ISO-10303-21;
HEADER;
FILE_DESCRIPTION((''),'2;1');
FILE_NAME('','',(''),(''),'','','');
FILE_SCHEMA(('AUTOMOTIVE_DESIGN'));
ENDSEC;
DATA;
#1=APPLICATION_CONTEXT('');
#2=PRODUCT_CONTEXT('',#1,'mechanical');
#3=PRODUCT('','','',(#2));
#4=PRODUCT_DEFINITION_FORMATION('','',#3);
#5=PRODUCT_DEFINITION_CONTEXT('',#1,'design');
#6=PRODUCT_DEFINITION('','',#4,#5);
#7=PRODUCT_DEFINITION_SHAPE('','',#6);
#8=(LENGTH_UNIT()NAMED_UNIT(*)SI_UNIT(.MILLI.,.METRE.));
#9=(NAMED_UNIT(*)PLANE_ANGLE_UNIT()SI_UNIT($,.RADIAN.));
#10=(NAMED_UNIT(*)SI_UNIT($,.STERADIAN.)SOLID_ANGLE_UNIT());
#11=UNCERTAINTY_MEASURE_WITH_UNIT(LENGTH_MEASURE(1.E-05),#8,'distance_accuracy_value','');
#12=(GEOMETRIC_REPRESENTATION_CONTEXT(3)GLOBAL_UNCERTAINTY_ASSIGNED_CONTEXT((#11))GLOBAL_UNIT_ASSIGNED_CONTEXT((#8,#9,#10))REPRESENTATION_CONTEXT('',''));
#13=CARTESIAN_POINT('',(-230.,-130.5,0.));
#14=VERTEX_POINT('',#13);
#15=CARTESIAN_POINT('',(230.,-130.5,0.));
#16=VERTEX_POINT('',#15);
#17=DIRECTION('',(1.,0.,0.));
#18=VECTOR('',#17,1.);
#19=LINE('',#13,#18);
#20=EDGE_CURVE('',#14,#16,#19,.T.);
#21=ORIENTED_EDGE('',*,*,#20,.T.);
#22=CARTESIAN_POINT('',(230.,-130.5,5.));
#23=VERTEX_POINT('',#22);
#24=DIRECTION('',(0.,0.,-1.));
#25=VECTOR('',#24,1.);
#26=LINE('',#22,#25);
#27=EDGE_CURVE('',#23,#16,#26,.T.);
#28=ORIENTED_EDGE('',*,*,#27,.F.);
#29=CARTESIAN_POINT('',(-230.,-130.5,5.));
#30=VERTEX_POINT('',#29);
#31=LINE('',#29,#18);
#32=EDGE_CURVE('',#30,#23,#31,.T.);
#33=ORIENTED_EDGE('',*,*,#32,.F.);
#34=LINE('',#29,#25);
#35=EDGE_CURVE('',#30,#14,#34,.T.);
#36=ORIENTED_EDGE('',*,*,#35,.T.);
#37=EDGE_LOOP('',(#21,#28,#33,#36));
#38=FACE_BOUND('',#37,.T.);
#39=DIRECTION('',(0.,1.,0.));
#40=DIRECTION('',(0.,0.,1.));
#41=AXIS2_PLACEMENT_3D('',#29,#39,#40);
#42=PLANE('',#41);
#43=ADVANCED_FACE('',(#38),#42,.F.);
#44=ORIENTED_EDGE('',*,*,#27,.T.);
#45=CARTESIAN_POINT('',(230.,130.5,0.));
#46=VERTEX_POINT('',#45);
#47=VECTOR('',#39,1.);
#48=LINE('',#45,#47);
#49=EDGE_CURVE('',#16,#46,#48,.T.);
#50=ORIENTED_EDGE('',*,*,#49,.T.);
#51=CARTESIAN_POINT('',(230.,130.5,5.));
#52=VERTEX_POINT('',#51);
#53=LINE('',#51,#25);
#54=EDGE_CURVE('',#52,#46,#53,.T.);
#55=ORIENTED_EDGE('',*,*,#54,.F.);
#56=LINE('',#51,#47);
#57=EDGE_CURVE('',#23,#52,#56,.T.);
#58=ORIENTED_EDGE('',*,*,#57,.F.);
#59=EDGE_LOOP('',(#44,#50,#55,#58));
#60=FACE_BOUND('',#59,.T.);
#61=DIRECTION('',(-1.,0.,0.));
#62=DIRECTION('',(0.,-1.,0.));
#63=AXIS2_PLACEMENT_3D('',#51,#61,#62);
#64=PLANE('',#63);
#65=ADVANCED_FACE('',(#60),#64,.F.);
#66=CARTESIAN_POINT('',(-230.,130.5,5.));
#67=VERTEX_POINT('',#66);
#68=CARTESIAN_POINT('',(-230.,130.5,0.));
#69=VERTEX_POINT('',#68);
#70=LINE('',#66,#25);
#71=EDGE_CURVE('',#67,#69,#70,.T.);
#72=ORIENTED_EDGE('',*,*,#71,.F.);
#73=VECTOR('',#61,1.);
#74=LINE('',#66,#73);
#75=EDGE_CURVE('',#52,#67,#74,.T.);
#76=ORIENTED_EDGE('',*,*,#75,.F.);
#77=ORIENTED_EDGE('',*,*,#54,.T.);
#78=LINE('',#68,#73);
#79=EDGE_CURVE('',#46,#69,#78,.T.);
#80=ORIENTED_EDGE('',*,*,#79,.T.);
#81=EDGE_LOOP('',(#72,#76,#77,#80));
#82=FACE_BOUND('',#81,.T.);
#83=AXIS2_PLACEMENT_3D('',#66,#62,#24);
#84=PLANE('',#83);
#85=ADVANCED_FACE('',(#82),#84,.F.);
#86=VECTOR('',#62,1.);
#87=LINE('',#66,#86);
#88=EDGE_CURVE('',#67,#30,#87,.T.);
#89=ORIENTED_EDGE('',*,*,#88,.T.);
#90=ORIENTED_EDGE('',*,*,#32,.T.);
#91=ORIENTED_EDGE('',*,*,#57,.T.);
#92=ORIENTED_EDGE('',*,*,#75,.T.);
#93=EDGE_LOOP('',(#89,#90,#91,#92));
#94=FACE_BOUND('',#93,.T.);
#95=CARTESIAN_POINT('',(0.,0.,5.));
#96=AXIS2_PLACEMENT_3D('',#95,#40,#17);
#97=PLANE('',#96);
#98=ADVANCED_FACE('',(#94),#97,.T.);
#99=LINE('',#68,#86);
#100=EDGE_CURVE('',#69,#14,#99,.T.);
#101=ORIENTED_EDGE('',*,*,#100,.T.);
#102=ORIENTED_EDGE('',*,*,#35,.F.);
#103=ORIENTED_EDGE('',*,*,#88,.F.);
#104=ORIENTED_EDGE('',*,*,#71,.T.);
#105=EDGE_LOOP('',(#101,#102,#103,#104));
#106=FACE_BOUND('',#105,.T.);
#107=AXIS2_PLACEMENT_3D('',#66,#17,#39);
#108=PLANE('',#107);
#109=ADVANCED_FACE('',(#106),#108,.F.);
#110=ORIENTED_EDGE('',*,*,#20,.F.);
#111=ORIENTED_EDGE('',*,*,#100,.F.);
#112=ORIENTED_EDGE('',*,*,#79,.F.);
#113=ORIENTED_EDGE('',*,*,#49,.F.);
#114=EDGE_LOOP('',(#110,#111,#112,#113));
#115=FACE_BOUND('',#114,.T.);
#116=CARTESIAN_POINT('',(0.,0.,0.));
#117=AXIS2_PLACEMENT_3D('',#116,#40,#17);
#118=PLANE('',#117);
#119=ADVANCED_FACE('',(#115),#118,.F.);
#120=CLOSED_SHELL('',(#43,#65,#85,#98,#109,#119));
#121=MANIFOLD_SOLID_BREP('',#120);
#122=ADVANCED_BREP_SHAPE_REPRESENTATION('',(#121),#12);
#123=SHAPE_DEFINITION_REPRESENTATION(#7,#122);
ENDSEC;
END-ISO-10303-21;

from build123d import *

# Parameters (mm, degrees)
SKETCH_1_W      = 460
SKETCH_1_H      = 261
EXTRUDE_1_DEPTH = 5


with BuildPart() as part:
    # 스케치1 → 보스-돌출1 (new body)
    with BuildSketch(Plane.XY):
        Rectangle(SKETCH_1_W, SKETCH_1_H)
    extrude(amount=EXTRUDE_1_DEPTH)


solid = part.part
